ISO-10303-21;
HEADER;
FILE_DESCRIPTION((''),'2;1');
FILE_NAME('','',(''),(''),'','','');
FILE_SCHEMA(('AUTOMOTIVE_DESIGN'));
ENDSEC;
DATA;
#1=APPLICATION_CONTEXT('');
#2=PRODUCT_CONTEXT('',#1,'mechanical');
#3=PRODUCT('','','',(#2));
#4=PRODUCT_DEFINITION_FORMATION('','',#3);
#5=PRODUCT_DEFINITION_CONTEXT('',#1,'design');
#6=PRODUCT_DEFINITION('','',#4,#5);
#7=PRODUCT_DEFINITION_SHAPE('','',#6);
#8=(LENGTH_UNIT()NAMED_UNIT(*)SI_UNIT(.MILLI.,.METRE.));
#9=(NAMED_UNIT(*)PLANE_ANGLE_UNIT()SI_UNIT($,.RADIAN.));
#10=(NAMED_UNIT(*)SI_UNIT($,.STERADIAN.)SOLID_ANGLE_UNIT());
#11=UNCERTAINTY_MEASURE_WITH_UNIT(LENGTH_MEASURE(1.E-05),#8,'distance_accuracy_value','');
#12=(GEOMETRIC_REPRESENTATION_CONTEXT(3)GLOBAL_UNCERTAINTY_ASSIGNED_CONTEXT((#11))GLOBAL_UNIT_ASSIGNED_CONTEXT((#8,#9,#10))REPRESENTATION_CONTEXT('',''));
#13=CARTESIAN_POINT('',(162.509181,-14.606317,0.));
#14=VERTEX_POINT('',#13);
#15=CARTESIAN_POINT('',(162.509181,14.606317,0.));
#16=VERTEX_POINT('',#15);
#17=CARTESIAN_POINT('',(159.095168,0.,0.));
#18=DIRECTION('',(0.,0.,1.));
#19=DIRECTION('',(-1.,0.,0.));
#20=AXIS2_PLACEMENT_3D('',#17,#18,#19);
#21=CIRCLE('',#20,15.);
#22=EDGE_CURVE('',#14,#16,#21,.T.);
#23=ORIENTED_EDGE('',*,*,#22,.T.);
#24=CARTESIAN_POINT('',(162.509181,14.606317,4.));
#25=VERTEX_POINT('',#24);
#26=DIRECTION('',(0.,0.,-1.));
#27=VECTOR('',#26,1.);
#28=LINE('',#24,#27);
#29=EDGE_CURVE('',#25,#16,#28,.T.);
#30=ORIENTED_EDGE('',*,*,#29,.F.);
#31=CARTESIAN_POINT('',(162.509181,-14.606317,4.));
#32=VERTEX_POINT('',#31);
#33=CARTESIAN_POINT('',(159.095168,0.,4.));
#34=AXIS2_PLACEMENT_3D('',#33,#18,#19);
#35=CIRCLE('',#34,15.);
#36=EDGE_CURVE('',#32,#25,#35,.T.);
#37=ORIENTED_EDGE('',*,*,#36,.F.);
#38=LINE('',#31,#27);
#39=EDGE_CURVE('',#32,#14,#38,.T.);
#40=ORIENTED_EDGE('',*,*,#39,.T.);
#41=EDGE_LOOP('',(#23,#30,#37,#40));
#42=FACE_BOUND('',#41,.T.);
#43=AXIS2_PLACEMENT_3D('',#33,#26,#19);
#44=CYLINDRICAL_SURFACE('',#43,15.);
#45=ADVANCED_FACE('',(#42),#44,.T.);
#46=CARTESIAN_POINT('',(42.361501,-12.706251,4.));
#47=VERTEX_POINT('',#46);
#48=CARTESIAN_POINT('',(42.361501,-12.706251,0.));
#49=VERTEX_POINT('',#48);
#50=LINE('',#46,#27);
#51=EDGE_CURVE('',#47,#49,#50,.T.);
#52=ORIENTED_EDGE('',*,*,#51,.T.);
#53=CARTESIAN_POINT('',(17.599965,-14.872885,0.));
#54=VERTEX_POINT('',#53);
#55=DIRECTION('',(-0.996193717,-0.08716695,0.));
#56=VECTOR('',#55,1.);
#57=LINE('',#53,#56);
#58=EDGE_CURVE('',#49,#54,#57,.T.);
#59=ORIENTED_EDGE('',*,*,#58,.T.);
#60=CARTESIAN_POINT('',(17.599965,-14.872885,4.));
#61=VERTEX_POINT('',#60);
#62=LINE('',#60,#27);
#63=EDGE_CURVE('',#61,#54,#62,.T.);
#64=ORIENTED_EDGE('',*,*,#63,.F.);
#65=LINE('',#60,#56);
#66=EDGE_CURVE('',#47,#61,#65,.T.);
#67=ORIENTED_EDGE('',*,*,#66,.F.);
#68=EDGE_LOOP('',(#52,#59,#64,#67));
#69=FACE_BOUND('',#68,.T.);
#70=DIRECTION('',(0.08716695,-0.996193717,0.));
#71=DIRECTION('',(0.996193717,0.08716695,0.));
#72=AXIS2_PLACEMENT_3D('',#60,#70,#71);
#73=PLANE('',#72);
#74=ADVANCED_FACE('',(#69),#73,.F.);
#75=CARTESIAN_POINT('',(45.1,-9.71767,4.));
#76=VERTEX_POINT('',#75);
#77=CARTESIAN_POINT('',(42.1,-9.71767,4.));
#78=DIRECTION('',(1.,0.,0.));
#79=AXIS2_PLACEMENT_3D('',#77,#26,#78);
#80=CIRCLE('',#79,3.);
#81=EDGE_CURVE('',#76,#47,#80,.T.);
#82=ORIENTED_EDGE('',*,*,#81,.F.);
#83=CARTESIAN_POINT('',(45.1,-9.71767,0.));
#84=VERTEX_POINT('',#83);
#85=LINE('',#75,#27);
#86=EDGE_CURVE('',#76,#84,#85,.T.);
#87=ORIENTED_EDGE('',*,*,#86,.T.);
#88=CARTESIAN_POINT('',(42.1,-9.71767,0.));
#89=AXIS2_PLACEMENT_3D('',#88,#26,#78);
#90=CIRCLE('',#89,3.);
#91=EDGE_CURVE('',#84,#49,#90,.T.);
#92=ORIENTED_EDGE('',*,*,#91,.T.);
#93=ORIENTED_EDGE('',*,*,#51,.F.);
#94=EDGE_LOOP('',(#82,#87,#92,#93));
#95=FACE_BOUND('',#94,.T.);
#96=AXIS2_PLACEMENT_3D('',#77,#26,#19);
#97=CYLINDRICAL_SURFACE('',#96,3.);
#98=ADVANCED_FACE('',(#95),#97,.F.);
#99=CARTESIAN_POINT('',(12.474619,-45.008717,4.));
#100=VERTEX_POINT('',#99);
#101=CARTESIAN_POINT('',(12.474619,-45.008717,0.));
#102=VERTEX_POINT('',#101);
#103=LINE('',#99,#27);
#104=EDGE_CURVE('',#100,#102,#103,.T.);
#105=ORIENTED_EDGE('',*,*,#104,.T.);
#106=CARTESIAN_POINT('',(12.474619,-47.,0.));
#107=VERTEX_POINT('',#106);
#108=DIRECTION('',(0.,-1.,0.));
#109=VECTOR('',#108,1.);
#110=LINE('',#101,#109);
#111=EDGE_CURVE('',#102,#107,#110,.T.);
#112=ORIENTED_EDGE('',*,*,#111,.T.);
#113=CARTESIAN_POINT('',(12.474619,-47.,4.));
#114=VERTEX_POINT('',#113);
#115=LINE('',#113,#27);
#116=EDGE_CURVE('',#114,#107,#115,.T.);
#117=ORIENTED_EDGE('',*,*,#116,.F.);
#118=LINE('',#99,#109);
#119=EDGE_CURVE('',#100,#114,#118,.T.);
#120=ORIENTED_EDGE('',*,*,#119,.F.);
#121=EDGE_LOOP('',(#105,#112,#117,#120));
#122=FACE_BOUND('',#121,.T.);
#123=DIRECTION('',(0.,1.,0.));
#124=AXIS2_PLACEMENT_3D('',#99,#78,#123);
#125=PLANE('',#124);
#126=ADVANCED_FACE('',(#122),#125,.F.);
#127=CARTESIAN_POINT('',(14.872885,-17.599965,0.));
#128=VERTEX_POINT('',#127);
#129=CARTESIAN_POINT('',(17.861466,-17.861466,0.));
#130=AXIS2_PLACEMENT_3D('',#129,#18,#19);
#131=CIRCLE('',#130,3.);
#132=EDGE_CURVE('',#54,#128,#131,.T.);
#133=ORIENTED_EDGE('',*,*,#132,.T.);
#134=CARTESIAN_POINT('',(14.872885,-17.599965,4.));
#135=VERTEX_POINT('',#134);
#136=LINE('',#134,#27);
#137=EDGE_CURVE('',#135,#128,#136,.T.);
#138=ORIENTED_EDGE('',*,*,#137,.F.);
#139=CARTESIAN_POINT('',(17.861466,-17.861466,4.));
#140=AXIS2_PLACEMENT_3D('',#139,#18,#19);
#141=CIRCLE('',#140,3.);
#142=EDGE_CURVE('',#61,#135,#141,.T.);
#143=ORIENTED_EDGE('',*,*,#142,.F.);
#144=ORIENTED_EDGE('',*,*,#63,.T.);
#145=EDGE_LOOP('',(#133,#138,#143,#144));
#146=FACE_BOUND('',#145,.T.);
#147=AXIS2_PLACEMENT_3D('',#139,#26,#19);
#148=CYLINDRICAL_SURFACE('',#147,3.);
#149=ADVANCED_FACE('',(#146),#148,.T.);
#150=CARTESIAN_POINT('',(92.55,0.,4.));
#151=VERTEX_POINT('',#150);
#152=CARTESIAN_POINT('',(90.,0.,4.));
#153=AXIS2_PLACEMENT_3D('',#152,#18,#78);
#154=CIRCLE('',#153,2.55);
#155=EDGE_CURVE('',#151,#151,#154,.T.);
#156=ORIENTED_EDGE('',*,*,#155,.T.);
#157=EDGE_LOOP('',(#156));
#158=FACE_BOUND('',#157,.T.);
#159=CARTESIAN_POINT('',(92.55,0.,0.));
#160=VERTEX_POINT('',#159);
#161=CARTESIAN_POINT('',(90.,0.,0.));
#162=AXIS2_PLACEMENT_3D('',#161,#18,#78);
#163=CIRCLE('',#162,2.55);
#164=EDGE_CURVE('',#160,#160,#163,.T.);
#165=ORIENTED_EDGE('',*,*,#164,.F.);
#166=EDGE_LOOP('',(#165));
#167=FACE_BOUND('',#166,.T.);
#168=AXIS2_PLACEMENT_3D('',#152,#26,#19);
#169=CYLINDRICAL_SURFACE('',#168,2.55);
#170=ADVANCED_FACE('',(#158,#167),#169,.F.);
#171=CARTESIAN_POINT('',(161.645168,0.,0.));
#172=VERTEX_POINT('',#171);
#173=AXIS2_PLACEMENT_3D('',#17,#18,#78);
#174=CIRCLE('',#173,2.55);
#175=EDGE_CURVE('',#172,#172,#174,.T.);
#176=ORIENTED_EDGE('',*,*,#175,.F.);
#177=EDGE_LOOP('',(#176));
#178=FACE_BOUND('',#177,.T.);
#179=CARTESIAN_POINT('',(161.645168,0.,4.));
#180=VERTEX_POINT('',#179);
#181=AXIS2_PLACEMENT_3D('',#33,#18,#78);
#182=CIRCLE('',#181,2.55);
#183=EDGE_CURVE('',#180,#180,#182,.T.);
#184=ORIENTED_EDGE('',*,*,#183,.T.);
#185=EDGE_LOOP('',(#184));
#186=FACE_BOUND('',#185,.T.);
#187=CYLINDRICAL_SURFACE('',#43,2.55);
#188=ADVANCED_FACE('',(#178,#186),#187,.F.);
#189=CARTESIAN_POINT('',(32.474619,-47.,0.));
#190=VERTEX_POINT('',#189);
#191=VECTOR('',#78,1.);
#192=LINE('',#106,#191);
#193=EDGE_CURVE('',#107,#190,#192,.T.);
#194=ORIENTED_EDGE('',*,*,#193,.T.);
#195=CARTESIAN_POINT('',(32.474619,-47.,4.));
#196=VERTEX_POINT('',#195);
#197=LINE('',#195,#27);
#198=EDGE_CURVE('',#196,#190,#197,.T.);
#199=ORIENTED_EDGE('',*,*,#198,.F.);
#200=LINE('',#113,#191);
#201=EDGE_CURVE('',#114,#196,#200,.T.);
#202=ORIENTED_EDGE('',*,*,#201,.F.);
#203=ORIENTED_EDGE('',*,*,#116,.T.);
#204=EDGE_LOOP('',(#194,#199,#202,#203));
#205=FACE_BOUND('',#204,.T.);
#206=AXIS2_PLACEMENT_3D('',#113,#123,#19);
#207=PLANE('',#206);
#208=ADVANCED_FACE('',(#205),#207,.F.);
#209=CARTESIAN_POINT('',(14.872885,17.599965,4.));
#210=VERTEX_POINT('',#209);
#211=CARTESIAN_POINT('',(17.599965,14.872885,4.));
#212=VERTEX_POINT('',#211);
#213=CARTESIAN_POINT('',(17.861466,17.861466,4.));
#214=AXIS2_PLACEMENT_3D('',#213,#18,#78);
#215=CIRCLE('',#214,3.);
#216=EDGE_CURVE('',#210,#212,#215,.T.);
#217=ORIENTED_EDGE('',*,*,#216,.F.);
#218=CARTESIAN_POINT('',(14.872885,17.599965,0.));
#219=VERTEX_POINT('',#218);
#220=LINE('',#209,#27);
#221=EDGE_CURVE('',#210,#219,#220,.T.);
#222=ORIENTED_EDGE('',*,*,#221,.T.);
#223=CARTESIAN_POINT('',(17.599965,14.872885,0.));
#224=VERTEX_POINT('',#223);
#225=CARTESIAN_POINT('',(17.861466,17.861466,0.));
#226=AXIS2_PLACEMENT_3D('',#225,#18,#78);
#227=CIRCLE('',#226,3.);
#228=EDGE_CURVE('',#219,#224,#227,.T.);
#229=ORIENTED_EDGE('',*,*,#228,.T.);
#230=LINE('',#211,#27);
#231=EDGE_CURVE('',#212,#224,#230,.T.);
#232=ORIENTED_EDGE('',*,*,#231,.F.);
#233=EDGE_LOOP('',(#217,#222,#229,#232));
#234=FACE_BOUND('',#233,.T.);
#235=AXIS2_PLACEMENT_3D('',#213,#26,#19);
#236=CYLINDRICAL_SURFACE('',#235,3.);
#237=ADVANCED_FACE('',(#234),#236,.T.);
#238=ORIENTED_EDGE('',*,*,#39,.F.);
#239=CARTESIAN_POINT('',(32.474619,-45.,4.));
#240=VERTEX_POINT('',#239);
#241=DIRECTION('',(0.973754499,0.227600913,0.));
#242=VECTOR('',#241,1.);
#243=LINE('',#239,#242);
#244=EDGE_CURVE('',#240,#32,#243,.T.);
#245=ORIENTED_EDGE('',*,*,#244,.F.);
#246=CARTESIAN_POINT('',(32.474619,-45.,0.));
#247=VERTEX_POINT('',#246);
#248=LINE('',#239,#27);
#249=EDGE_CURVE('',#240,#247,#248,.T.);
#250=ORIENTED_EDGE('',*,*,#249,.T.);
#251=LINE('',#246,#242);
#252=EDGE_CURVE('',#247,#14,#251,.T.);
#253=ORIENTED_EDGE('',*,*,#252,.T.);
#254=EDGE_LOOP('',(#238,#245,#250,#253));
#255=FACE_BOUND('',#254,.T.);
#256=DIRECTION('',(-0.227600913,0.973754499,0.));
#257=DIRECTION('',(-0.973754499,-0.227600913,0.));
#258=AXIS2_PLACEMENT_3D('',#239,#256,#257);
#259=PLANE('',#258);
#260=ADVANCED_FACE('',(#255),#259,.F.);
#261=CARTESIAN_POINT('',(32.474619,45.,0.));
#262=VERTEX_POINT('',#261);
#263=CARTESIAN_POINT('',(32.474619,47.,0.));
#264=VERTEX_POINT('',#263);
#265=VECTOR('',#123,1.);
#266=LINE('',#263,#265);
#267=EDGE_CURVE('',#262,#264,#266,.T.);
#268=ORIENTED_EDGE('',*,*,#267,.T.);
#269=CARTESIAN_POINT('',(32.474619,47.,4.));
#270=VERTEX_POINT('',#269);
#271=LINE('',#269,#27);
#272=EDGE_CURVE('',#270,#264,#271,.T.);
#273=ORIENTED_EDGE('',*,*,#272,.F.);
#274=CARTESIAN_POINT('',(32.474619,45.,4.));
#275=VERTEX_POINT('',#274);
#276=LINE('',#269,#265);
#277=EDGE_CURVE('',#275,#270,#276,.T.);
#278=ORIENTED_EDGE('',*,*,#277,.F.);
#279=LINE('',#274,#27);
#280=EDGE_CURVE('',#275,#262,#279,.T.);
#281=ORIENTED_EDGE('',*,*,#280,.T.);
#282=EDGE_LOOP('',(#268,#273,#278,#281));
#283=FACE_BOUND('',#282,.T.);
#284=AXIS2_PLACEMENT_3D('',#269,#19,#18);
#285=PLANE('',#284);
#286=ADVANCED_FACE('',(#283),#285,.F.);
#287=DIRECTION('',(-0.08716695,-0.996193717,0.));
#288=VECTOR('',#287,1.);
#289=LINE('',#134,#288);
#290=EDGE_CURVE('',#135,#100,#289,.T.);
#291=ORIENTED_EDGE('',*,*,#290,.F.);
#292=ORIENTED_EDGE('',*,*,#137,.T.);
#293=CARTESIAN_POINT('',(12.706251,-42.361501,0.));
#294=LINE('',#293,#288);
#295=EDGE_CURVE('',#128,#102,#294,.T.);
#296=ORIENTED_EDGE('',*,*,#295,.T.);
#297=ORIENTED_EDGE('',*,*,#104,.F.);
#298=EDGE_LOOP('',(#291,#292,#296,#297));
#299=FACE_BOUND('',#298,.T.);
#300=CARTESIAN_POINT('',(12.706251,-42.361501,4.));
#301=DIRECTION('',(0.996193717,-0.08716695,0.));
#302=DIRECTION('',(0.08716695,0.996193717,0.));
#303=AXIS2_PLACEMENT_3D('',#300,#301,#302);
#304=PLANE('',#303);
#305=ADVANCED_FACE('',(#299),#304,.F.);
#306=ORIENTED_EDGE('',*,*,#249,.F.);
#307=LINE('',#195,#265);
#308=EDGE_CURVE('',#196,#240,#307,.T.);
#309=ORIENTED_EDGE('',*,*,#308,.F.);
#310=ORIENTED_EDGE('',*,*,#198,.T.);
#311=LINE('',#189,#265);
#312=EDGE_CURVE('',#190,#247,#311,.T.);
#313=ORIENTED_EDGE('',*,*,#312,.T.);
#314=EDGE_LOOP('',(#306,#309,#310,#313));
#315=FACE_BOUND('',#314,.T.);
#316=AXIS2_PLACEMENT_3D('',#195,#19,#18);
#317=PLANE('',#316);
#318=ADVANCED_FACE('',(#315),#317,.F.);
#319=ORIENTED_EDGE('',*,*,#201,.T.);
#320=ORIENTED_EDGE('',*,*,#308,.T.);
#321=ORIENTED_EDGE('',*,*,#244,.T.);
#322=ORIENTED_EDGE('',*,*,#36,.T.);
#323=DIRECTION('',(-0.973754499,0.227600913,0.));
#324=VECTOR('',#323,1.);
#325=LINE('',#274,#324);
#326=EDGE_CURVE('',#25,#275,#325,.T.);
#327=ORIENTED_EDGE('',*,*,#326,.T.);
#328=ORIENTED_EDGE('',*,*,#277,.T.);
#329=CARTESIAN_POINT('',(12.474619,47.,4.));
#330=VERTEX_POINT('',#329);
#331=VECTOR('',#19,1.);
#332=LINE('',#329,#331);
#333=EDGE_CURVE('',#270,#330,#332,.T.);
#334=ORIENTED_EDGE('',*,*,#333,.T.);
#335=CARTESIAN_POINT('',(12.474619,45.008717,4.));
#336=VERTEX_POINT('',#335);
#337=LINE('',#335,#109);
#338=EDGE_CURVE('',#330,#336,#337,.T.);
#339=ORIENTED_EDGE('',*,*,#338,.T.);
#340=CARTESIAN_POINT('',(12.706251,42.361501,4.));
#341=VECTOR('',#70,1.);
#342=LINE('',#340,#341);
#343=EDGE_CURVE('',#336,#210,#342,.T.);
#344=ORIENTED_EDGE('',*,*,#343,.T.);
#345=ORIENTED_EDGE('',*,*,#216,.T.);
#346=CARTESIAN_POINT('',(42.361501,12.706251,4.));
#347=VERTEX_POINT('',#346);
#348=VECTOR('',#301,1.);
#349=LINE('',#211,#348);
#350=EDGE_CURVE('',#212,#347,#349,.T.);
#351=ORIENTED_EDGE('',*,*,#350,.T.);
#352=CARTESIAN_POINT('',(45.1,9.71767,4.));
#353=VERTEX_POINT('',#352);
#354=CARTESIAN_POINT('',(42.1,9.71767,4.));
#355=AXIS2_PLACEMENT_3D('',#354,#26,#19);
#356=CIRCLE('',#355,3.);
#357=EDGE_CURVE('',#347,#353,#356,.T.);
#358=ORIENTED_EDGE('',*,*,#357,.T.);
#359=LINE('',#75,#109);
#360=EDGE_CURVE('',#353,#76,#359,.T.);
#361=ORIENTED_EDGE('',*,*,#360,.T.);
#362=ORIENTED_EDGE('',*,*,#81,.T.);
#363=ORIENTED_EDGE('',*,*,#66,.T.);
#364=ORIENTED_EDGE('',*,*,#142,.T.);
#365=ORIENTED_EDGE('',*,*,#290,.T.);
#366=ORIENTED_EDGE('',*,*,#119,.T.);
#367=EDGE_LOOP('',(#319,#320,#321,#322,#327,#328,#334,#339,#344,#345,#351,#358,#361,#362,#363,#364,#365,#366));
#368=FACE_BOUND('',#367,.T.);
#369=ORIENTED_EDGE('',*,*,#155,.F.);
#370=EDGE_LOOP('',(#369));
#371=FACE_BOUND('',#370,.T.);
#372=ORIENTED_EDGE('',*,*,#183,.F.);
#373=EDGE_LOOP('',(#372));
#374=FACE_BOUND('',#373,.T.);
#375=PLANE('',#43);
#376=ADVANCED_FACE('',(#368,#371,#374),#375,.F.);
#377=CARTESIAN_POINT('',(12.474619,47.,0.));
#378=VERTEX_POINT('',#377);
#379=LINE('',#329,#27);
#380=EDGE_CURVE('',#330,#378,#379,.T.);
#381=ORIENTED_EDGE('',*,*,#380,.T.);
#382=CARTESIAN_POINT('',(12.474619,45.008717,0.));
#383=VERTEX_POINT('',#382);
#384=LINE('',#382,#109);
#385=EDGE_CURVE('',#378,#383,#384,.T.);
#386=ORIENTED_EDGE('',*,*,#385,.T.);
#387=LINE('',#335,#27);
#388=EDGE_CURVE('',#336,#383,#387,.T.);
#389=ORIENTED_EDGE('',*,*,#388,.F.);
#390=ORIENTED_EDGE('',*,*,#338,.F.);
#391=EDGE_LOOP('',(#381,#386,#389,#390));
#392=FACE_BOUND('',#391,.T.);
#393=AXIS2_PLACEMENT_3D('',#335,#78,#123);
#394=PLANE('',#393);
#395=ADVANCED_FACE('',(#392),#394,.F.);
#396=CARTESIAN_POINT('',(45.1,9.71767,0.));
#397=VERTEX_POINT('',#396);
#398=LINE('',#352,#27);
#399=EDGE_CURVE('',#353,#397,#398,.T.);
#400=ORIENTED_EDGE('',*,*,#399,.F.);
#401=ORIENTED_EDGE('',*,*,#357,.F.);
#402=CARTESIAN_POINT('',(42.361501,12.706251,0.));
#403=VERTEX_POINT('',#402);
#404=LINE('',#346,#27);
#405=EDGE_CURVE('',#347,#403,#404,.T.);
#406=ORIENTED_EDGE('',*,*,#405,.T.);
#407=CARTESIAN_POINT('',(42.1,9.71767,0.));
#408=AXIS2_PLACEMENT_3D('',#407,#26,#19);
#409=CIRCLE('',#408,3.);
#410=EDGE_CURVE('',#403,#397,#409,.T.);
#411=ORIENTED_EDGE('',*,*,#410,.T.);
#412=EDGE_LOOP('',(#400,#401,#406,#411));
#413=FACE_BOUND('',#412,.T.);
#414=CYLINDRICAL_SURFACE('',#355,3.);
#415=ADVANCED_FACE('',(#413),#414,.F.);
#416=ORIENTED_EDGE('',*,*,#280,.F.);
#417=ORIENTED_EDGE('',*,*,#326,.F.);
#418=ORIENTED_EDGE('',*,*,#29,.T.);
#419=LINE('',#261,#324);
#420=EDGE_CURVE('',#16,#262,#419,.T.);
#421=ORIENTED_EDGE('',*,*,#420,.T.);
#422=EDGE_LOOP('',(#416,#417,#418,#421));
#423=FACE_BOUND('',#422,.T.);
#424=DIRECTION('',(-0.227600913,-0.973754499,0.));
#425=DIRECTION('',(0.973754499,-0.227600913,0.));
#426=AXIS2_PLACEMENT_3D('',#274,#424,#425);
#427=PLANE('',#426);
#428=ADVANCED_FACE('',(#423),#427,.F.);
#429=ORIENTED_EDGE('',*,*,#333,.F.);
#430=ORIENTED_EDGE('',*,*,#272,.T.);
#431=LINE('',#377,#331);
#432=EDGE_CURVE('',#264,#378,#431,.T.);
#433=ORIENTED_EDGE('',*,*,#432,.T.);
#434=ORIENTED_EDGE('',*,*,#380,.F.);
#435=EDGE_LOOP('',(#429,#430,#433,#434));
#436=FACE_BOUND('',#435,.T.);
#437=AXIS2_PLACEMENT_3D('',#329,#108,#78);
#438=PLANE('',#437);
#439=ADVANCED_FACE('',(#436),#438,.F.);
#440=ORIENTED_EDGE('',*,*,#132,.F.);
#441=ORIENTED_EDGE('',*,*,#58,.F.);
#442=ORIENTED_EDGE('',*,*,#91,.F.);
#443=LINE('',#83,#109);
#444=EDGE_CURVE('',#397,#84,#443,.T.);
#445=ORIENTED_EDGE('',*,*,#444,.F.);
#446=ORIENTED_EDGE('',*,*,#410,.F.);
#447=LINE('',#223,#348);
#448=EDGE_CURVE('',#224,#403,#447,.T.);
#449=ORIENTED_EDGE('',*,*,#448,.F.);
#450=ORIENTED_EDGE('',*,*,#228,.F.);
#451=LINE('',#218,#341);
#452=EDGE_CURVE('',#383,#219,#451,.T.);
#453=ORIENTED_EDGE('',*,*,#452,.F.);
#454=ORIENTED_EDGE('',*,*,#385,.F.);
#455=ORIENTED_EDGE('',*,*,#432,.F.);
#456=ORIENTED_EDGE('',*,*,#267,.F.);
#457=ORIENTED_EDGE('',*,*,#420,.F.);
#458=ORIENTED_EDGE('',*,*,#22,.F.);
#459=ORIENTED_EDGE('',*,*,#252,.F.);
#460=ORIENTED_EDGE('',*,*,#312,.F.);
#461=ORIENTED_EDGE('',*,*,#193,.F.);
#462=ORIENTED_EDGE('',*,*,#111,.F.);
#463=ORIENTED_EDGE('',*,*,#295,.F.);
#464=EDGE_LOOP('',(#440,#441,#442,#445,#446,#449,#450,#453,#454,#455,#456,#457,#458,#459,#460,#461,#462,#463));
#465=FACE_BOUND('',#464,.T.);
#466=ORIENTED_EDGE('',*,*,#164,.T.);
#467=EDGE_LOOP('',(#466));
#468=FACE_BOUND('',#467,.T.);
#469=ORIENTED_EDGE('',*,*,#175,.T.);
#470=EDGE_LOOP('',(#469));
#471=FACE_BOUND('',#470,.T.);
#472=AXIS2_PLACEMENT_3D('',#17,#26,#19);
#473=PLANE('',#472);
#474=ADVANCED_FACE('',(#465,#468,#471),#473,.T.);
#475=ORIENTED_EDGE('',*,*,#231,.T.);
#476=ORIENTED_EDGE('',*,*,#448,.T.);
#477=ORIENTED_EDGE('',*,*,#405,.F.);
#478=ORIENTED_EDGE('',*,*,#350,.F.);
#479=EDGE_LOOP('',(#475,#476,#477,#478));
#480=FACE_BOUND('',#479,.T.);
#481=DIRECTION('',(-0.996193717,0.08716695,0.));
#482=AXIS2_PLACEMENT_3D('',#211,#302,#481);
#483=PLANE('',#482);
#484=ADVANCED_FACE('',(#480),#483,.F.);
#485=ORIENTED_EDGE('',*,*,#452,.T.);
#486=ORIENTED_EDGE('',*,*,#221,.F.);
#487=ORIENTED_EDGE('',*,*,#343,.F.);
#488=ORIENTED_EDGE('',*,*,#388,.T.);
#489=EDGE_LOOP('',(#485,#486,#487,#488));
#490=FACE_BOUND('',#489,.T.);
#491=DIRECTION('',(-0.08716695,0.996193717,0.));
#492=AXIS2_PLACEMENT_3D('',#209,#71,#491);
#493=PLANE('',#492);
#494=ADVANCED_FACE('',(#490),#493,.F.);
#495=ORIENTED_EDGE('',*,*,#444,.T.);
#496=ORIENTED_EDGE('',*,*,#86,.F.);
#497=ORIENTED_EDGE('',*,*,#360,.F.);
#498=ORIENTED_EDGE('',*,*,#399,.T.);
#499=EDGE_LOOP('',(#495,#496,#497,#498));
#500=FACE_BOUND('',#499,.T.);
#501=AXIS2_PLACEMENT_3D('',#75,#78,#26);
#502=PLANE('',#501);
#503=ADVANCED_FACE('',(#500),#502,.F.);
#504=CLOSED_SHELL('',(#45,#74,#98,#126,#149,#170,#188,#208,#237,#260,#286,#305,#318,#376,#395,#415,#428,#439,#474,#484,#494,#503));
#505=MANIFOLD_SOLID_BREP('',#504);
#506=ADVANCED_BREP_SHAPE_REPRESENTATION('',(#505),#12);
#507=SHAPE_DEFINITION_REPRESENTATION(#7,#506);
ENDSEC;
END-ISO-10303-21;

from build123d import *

# Parameters (mm, degrees)
SKETCH1_R           = 2.55
BOSS_EXTRUDE1_DEPTH = 4


with BuildPart() as part:
    # Sketch1 → Boss-Extrude1 (new body)
    with BuildSketch(Plane.XY):
        with BuildLine():
            Line((14.872885109, 17.599965411), (12.706250758, 42.361500851))
            Line((12.706250758, 42.361500851), (12.474619372, 45.008716695))
            Line((12.474619372, 45.008716695), (12.474619372, 47))
            Line((12.474619372, 47), (32.474619372, 47))
            Line((32.474619372, 47), (32.474619372, 45))
            Line((32.474619372, 45), (162.509181482, 14.606317485))
            ThreePointArc((162.509181482, 14.606317485), (174.095167783, 0), (162.509181482, -14.606317485))
            Line((162.509181482, -14.606317485), (32.474619372, -45))
            Line((32.474619372, -45), (32.474619372, -47))
            Line((32.474619372, -47), (12.474619372, -47))
            Line((12.474619372, -47), (12.474619372, -45.008716695))
            Line((12.474619372, -45.008716695), (12.706250758, -42.361500851))
            Line((12.706250758, -42.361500851), (14.872885109, -17.599965411))
            ThreePointArc((14.872885109, -17.599965411), (15.740145918, -15.740145918), (17.599965411, -14.872885109))
            Line((17.599965411, -14.872885109), (42.361500851, -12.706250758))
            ThreePointArc((42.361500851, -12.706250758), (44.311843411, -11.744427787), (45.1, -9.717669606))
            Line((45.1, -9.717669606), (45.1, 9.717669606))
            ThreePointArc((45.1, 9.717669606), (44.311843411, 11.744427787), (42.361500851, 12.706250758))
            Line((42.361500851, 12.706250758), (17.599965411, 14.872885109))
            ThreePointArc((17.599965411, 14.872885109), (15.740145918, 15.740145918), (14.872885109, 17.599965411))
        make_face()
        with Locations((159.095167783, 0)):
            Circle(SKETCH1_R, mode=Mode.SUBTRACT)
        with Locations((90, 0)):
            Circle(SKETCH1_R, mode=Mode.SUBTRACT)
    extrude(amount=BOSS_EXTRUDE1_DEPTH)


solid = part.part
